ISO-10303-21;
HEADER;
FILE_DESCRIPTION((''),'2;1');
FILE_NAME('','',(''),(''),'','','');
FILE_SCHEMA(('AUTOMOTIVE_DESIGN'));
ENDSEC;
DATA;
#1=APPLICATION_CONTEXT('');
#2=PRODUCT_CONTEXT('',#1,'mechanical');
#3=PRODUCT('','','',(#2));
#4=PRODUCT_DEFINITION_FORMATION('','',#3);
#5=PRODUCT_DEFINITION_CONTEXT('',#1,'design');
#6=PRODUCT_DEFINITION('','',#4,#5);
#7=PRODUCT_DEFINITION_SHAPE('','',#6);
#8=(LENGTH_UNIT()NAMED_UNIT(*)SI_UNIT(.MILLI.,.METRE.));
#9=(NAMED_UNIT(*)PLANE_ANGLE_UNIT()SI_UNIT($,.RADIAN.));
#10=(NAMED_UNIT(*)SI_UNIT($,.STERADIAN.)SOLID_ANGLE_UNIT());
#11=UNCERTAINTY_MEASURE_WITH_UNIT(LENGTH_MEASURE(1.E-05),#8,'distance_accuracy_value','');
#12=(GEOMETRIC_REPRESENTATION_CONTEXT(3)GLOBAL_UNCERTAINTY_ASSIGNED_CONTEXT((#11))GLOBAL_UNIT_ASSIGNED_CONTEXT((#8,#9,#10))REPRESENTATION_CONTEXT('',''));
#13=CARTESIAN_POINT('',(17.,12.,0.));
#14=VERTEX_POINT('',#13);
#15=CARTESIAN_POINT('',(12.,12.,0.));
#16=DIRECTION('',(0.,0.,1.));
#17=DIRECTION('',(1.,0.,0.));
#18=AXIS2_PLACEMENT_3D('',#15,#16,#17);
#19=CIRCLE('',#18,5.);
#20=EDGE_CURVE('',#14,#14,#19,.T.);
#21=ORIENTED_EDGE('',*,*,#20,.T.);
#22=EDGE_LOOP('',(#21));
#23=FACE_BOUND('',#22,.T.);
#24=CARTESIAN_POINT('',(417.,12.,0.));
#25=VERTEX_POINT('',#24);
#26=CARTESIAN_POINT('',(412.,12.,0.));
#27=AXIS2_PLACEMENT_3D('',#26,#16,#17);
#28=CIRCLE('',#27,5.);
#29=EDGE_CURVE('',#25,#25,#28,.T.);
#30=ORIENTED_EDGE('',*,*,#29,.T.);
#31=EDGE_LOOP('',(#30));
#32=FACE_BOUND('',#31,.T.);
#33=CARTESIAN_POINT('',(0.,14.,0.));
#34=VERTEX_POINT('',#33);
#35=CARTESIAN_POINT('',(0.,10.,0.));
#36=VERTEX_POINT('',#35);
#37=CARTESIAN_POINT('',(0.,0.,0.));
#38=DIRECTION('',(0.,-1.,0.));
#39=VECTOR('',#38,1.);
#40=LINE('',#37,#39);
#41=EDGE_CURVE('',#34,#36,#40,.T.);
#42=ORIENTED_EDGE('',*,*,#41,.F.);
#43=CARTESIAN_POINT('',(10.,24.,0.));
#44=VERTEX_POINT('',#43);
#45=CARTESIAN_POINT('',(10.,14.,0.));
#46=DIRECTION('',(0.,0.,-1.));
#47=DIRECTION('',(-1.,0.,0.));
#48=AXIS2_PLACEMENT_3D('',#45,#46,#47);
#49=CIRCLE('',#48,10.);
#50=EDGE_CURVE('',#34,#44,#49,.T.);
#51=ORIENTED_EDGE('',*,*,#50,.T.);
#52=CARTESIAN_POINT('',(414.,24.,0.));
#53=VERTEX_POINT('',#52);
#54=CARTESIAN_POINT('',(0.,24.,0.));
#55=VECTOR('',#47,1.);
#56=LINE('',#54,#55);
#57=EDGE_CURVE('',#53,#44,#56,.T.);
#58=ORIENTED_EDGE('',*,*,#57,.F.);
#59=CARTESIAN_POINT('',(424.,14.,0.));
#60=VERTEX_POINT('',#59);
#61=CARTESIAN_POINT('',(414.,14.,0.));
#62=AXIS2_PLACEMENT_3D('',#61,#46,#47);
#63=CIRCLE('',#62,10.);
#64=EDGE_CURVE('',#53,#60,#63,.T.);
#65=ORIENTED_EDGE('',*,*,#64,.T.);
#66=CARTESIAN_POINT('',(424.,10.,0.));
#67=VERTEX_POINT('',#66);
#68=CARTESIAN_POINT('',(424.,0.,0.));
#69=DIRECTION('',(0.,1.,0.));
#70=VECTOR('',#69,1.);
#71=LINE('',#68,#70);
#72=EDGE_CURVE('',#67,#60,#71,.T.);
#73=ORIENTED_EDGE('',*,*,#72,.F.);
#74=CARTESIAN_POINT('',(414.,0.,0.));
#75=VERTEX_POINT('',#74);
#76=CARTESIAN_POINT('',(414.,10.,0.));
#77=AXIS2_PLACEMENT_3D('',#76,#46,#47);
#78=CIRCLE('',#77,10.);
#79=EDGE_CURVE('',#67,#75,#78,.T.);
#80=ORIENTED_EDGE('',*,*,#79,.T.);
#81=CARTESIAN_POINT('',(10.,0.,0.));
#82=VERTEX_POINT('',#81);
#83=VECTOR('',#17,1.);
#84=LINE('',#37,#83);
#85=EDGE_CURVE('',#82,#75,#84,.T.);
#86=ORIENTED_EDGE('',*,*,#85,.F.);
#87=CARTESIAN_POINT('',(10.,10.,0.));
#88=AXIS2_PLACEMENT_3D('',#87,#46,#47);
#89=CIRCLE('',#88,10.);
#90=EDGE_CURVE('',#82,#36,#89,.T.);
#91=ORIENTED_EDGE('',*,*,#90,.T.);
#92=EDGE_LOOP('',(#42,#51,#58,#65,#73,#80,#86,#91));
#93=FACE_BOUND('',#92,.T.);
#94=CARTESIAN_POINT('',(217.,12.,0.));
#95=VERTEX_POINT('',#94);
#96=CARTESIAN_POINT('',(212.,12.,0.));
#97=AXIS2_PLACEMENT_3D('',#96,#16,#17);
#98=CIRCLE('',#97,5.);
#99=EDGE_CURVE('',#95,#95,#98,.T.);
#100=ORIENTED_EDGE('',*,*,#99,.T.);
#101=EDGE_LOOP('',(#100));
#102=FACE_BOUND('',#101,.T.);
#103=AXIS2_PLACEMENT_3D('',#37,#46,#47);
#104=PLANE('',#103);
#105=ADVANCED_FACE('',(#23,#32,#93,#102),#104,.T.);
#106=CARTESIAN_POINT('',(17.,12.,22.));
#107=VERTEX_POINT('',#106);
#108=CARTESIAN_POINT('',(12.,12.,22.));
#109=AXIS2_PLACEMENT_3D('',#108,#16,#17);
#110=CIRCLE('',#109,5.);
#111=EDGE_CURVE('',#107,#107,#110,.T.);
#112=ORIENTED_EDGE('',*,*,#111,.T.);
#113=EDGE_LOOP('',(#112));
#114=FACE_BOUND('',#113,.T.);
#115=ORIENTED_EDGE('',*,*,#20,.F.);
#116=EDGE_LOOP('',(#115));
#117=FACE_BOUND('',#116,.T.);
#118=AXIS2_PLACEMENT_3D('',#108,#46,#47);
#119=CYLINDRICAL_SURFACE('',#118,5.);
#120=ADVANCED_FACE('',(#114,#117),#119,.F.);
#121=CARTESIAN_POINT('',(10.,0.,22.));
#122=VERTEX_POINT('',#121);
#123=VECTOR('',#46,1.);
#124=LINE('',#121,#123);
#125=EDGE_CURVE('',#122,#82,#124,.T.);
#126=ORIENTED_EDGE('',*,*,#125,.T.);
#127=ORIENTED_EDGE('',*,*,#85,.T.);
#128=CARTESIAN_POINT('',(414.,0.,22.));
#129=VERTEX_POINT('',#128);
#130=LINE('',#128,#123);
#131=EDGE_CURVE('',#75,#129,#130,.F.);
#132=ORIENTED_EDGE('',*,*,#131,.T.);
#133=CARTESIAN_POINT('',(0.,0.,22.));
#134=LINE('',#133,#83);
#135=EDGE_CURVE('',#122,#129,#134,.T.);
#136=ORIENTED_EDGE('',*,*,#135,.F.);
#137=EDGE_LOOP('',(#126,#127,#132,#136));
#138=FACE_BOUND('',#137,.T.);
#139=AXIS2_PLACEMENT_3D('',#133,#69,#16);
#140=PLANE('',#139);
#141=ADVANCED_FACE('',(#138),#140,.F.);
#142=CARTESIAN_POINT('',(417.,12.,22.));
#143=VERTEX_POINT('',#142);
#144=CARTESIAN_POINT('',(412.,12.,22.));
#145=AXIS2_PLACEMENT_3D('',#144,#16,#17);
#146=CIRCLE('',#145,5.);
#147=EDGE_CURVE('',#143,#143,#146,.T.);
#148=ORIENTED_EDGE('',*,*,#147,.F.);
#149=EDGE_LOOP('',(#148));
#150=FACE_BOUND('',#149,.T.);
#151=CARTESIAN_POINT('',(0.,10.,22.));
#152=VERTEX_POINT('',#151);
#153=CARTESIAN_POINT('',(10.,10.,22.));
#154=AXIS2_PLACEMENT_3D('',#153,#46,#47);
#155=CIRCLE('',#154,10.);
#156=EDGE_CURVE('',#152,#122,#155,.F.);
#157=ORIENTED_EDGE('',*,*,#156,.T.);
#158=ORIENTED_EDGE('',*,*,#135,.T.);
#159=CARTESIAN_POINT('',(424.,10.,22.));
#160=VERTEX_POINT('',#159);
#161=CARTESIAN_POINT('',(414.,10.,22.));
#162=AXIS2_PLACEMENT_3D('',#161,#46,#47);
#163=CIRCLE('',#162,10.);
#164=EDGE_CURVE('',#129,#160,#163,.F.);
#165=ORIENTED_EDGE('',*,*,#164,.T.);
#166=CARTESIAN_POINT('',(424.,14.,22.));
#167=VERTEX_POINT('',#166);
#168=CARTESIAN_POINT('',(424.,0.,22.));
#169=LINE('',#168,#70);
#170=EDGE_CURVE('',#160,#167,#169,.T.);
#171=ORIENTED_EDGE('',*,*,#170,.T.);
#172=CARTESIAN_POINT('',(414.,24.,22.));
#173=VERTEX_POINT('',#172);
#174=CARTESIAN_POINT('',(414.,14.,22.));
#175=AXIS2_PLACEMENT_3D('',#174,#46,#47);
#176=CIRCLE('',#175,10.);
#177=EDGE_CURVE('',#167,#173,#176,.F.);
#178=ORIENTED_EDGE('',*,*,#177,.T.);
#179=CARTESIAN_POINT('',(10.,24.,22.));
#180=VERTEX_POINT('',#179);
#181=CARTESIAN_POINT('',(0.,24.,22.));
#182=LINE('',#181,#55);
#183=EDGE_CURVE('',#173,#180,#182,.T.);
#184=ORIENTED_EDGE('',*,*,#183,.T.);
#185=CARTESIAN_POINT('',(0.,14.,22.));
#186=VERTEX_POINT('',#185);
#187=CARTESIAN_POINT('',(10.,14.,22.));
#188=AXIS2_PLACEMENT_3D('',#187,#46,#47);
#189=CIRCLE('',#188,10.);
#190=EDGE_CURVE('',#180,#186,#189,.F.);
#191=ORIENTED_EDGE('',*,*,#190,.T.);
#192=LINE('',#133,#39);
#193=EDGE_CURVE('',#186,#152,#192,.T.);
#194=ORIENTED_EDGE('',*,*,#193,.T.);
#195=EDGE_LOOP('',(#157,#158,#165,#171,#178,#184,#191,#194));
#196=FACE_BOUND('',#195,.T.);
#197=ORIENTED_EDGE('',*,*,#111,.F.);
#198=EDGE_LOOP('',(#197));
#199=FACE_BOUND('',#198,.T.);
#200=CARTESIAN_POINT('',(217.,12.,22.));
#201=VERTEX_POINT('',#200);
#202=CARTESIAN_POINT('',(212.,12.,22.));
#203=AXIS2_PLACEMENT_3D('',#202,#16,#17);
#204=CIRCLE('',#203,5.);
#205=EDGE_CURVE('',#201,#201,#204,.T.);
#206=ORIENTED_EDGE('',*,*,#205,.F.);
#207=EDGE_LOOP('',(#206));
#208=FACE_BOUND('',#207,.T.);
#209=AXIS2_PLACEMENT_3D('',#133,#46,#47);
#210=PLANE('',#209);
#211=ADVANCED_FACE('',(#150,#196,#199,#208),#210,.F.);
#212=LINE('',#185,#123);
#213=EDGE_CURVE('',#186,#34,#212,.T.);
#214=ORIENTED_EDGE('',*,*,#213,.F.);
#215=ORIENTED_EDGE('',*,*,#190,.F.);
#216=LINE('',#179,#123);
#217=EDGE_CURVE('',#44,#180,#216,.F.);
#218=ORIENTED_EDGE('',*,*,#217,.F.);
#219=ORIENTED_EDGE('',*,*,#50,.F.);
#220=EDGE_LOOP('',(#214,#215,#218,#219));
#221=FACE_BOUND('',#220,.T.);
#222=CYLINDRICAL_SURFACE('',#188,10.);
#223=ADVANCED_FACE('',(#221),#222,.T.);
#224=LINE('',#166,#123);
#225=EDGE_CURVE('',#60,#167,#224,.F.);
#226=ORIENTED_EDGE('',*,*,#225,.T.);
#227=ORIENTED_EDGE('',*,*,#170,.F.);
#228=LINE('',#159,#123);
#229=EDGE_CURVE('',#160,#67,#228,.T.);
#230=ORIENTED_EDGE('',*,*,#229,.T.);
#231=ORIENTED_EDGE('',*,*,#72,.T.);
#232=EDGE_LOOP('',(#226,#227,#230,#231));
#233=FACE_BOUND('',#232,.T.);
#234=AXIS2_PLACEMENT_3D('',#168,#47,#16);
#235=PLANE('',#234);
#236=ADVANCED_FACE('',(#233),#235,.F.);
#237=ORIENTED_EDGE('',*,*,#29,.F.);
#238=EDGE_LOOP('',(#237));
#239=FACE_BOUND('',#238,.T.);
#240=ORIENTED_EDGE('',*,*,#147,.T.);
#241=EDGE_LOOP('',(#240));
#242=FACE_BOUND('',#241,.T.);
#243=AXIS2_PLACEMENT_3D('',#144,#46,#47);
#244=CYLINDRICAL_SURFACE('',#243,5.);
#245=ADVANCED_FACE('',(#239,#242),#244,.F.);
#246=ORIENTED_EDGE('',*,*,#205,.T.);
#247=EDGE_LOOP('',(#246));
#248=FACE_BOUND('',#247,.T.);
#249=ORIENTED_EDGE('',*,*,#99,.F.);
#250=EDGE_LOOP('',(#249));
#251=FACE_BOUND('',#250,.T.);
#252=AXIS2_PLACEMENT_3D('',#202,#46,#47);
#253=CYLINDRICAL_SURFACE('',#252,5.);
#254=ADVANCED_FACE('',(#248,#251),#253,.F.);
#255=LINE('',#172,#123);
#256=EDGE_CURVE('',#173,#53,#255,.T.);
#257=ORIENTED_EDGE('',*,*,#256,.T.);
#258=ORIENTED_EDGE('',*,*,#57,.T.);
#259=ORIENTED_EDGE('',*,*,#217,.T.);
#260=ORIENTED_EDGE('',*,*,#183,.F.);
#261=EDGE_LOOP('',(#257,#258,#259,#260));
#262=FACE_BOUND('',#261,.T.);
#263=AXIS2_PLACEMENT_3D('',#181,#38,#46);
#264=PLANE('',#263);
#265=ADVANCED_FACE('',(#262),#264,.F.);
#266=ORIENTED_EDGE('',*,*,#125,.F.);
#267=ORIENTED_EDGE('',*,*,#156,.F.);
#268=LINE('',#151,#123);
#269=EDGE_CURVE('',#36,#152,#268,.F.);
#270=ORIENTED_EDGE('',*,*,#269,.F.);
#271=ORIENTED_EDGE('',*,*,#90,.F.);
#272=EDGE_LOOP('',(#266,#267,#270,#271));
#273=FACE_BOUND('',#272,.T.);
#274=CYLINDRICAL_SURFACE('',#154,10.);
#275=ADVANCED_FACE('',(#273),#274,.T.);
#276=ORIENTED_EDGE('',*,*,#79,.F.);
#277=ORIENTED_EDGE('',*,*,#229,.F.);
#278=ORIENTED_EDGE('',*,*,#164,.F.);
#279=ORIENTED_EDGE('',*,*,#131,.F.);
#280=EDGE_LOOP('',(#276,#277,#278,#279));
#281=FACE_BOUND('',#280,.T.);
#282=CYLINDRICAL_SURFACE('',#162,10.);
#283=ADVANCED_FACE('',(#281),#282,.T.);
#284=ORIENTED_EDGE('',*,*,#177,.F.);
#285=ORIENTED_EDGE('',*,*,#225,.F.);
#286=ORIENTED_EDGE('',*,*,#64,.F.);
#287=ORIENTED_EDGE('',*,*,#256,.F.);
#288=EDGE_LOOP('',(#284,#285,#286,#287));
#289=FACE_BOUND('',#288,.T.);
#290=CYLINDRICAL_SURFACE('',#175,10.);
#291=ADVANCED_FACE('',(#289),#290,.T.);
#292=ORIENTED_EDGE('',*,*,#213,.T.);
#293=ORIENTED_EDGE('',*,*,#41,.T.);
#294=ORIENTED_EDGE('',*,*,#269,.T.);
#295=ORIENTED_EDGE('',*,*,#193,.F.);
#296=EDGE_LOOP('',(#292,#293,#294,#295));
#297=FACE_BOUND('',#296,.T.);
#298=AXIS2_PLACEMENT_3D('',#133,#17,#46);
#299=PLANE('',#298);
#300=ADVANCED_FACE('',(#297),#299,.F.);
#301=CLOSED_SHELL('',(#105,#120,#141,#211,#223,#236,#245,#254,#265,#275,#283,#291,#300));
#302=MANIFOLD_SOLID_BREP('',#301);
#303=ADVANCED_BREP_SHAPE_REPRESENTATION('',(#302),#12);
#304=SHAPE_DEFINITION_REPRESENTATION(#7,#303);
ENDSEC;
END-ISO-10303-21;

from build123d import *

# Parameters (mm, degrees)
SKETCH1_W           = 424
SKETCH1_H           = 24
SKETCH1_R           = 5
BOSS_EXTRUDE1_DEPTH = 22
FILLET1_R           = 10


with BuildPart() as part:
    # Sketch1 → Boss-Extrude1 (new body)
    with BuildSketch(Plane.XY):
        with Locations((212, 12)):
            Rectangle(SKETCH1_W, SKETCH1_H)
        with Locations((12, 12)):
            Circle(SKETCH1_R, mode=Mode.SUBTRACT)
        with Locations((412, 12)):
            Circle(SKETCH1_R, mode=Mode.SUBTRACT)
        with Locations((212, 12)):
            Circle(SKETCH1_R, mode=Mode.SUBTRACT)
    extrude(amount=BOSS_EXTRUDE1_DEPTH)

    # Fillet1
    fillet1_edges = [part.edges().sort_by_distance(p)[0] for p in [
        (0, 24, 11),
        (424, 24, 11),
        (424, 0, 11),
        (0, 0, 11),
    ]]
    fillet(fillet1_edges, radius=FILLET1_R)


solid = part.part
